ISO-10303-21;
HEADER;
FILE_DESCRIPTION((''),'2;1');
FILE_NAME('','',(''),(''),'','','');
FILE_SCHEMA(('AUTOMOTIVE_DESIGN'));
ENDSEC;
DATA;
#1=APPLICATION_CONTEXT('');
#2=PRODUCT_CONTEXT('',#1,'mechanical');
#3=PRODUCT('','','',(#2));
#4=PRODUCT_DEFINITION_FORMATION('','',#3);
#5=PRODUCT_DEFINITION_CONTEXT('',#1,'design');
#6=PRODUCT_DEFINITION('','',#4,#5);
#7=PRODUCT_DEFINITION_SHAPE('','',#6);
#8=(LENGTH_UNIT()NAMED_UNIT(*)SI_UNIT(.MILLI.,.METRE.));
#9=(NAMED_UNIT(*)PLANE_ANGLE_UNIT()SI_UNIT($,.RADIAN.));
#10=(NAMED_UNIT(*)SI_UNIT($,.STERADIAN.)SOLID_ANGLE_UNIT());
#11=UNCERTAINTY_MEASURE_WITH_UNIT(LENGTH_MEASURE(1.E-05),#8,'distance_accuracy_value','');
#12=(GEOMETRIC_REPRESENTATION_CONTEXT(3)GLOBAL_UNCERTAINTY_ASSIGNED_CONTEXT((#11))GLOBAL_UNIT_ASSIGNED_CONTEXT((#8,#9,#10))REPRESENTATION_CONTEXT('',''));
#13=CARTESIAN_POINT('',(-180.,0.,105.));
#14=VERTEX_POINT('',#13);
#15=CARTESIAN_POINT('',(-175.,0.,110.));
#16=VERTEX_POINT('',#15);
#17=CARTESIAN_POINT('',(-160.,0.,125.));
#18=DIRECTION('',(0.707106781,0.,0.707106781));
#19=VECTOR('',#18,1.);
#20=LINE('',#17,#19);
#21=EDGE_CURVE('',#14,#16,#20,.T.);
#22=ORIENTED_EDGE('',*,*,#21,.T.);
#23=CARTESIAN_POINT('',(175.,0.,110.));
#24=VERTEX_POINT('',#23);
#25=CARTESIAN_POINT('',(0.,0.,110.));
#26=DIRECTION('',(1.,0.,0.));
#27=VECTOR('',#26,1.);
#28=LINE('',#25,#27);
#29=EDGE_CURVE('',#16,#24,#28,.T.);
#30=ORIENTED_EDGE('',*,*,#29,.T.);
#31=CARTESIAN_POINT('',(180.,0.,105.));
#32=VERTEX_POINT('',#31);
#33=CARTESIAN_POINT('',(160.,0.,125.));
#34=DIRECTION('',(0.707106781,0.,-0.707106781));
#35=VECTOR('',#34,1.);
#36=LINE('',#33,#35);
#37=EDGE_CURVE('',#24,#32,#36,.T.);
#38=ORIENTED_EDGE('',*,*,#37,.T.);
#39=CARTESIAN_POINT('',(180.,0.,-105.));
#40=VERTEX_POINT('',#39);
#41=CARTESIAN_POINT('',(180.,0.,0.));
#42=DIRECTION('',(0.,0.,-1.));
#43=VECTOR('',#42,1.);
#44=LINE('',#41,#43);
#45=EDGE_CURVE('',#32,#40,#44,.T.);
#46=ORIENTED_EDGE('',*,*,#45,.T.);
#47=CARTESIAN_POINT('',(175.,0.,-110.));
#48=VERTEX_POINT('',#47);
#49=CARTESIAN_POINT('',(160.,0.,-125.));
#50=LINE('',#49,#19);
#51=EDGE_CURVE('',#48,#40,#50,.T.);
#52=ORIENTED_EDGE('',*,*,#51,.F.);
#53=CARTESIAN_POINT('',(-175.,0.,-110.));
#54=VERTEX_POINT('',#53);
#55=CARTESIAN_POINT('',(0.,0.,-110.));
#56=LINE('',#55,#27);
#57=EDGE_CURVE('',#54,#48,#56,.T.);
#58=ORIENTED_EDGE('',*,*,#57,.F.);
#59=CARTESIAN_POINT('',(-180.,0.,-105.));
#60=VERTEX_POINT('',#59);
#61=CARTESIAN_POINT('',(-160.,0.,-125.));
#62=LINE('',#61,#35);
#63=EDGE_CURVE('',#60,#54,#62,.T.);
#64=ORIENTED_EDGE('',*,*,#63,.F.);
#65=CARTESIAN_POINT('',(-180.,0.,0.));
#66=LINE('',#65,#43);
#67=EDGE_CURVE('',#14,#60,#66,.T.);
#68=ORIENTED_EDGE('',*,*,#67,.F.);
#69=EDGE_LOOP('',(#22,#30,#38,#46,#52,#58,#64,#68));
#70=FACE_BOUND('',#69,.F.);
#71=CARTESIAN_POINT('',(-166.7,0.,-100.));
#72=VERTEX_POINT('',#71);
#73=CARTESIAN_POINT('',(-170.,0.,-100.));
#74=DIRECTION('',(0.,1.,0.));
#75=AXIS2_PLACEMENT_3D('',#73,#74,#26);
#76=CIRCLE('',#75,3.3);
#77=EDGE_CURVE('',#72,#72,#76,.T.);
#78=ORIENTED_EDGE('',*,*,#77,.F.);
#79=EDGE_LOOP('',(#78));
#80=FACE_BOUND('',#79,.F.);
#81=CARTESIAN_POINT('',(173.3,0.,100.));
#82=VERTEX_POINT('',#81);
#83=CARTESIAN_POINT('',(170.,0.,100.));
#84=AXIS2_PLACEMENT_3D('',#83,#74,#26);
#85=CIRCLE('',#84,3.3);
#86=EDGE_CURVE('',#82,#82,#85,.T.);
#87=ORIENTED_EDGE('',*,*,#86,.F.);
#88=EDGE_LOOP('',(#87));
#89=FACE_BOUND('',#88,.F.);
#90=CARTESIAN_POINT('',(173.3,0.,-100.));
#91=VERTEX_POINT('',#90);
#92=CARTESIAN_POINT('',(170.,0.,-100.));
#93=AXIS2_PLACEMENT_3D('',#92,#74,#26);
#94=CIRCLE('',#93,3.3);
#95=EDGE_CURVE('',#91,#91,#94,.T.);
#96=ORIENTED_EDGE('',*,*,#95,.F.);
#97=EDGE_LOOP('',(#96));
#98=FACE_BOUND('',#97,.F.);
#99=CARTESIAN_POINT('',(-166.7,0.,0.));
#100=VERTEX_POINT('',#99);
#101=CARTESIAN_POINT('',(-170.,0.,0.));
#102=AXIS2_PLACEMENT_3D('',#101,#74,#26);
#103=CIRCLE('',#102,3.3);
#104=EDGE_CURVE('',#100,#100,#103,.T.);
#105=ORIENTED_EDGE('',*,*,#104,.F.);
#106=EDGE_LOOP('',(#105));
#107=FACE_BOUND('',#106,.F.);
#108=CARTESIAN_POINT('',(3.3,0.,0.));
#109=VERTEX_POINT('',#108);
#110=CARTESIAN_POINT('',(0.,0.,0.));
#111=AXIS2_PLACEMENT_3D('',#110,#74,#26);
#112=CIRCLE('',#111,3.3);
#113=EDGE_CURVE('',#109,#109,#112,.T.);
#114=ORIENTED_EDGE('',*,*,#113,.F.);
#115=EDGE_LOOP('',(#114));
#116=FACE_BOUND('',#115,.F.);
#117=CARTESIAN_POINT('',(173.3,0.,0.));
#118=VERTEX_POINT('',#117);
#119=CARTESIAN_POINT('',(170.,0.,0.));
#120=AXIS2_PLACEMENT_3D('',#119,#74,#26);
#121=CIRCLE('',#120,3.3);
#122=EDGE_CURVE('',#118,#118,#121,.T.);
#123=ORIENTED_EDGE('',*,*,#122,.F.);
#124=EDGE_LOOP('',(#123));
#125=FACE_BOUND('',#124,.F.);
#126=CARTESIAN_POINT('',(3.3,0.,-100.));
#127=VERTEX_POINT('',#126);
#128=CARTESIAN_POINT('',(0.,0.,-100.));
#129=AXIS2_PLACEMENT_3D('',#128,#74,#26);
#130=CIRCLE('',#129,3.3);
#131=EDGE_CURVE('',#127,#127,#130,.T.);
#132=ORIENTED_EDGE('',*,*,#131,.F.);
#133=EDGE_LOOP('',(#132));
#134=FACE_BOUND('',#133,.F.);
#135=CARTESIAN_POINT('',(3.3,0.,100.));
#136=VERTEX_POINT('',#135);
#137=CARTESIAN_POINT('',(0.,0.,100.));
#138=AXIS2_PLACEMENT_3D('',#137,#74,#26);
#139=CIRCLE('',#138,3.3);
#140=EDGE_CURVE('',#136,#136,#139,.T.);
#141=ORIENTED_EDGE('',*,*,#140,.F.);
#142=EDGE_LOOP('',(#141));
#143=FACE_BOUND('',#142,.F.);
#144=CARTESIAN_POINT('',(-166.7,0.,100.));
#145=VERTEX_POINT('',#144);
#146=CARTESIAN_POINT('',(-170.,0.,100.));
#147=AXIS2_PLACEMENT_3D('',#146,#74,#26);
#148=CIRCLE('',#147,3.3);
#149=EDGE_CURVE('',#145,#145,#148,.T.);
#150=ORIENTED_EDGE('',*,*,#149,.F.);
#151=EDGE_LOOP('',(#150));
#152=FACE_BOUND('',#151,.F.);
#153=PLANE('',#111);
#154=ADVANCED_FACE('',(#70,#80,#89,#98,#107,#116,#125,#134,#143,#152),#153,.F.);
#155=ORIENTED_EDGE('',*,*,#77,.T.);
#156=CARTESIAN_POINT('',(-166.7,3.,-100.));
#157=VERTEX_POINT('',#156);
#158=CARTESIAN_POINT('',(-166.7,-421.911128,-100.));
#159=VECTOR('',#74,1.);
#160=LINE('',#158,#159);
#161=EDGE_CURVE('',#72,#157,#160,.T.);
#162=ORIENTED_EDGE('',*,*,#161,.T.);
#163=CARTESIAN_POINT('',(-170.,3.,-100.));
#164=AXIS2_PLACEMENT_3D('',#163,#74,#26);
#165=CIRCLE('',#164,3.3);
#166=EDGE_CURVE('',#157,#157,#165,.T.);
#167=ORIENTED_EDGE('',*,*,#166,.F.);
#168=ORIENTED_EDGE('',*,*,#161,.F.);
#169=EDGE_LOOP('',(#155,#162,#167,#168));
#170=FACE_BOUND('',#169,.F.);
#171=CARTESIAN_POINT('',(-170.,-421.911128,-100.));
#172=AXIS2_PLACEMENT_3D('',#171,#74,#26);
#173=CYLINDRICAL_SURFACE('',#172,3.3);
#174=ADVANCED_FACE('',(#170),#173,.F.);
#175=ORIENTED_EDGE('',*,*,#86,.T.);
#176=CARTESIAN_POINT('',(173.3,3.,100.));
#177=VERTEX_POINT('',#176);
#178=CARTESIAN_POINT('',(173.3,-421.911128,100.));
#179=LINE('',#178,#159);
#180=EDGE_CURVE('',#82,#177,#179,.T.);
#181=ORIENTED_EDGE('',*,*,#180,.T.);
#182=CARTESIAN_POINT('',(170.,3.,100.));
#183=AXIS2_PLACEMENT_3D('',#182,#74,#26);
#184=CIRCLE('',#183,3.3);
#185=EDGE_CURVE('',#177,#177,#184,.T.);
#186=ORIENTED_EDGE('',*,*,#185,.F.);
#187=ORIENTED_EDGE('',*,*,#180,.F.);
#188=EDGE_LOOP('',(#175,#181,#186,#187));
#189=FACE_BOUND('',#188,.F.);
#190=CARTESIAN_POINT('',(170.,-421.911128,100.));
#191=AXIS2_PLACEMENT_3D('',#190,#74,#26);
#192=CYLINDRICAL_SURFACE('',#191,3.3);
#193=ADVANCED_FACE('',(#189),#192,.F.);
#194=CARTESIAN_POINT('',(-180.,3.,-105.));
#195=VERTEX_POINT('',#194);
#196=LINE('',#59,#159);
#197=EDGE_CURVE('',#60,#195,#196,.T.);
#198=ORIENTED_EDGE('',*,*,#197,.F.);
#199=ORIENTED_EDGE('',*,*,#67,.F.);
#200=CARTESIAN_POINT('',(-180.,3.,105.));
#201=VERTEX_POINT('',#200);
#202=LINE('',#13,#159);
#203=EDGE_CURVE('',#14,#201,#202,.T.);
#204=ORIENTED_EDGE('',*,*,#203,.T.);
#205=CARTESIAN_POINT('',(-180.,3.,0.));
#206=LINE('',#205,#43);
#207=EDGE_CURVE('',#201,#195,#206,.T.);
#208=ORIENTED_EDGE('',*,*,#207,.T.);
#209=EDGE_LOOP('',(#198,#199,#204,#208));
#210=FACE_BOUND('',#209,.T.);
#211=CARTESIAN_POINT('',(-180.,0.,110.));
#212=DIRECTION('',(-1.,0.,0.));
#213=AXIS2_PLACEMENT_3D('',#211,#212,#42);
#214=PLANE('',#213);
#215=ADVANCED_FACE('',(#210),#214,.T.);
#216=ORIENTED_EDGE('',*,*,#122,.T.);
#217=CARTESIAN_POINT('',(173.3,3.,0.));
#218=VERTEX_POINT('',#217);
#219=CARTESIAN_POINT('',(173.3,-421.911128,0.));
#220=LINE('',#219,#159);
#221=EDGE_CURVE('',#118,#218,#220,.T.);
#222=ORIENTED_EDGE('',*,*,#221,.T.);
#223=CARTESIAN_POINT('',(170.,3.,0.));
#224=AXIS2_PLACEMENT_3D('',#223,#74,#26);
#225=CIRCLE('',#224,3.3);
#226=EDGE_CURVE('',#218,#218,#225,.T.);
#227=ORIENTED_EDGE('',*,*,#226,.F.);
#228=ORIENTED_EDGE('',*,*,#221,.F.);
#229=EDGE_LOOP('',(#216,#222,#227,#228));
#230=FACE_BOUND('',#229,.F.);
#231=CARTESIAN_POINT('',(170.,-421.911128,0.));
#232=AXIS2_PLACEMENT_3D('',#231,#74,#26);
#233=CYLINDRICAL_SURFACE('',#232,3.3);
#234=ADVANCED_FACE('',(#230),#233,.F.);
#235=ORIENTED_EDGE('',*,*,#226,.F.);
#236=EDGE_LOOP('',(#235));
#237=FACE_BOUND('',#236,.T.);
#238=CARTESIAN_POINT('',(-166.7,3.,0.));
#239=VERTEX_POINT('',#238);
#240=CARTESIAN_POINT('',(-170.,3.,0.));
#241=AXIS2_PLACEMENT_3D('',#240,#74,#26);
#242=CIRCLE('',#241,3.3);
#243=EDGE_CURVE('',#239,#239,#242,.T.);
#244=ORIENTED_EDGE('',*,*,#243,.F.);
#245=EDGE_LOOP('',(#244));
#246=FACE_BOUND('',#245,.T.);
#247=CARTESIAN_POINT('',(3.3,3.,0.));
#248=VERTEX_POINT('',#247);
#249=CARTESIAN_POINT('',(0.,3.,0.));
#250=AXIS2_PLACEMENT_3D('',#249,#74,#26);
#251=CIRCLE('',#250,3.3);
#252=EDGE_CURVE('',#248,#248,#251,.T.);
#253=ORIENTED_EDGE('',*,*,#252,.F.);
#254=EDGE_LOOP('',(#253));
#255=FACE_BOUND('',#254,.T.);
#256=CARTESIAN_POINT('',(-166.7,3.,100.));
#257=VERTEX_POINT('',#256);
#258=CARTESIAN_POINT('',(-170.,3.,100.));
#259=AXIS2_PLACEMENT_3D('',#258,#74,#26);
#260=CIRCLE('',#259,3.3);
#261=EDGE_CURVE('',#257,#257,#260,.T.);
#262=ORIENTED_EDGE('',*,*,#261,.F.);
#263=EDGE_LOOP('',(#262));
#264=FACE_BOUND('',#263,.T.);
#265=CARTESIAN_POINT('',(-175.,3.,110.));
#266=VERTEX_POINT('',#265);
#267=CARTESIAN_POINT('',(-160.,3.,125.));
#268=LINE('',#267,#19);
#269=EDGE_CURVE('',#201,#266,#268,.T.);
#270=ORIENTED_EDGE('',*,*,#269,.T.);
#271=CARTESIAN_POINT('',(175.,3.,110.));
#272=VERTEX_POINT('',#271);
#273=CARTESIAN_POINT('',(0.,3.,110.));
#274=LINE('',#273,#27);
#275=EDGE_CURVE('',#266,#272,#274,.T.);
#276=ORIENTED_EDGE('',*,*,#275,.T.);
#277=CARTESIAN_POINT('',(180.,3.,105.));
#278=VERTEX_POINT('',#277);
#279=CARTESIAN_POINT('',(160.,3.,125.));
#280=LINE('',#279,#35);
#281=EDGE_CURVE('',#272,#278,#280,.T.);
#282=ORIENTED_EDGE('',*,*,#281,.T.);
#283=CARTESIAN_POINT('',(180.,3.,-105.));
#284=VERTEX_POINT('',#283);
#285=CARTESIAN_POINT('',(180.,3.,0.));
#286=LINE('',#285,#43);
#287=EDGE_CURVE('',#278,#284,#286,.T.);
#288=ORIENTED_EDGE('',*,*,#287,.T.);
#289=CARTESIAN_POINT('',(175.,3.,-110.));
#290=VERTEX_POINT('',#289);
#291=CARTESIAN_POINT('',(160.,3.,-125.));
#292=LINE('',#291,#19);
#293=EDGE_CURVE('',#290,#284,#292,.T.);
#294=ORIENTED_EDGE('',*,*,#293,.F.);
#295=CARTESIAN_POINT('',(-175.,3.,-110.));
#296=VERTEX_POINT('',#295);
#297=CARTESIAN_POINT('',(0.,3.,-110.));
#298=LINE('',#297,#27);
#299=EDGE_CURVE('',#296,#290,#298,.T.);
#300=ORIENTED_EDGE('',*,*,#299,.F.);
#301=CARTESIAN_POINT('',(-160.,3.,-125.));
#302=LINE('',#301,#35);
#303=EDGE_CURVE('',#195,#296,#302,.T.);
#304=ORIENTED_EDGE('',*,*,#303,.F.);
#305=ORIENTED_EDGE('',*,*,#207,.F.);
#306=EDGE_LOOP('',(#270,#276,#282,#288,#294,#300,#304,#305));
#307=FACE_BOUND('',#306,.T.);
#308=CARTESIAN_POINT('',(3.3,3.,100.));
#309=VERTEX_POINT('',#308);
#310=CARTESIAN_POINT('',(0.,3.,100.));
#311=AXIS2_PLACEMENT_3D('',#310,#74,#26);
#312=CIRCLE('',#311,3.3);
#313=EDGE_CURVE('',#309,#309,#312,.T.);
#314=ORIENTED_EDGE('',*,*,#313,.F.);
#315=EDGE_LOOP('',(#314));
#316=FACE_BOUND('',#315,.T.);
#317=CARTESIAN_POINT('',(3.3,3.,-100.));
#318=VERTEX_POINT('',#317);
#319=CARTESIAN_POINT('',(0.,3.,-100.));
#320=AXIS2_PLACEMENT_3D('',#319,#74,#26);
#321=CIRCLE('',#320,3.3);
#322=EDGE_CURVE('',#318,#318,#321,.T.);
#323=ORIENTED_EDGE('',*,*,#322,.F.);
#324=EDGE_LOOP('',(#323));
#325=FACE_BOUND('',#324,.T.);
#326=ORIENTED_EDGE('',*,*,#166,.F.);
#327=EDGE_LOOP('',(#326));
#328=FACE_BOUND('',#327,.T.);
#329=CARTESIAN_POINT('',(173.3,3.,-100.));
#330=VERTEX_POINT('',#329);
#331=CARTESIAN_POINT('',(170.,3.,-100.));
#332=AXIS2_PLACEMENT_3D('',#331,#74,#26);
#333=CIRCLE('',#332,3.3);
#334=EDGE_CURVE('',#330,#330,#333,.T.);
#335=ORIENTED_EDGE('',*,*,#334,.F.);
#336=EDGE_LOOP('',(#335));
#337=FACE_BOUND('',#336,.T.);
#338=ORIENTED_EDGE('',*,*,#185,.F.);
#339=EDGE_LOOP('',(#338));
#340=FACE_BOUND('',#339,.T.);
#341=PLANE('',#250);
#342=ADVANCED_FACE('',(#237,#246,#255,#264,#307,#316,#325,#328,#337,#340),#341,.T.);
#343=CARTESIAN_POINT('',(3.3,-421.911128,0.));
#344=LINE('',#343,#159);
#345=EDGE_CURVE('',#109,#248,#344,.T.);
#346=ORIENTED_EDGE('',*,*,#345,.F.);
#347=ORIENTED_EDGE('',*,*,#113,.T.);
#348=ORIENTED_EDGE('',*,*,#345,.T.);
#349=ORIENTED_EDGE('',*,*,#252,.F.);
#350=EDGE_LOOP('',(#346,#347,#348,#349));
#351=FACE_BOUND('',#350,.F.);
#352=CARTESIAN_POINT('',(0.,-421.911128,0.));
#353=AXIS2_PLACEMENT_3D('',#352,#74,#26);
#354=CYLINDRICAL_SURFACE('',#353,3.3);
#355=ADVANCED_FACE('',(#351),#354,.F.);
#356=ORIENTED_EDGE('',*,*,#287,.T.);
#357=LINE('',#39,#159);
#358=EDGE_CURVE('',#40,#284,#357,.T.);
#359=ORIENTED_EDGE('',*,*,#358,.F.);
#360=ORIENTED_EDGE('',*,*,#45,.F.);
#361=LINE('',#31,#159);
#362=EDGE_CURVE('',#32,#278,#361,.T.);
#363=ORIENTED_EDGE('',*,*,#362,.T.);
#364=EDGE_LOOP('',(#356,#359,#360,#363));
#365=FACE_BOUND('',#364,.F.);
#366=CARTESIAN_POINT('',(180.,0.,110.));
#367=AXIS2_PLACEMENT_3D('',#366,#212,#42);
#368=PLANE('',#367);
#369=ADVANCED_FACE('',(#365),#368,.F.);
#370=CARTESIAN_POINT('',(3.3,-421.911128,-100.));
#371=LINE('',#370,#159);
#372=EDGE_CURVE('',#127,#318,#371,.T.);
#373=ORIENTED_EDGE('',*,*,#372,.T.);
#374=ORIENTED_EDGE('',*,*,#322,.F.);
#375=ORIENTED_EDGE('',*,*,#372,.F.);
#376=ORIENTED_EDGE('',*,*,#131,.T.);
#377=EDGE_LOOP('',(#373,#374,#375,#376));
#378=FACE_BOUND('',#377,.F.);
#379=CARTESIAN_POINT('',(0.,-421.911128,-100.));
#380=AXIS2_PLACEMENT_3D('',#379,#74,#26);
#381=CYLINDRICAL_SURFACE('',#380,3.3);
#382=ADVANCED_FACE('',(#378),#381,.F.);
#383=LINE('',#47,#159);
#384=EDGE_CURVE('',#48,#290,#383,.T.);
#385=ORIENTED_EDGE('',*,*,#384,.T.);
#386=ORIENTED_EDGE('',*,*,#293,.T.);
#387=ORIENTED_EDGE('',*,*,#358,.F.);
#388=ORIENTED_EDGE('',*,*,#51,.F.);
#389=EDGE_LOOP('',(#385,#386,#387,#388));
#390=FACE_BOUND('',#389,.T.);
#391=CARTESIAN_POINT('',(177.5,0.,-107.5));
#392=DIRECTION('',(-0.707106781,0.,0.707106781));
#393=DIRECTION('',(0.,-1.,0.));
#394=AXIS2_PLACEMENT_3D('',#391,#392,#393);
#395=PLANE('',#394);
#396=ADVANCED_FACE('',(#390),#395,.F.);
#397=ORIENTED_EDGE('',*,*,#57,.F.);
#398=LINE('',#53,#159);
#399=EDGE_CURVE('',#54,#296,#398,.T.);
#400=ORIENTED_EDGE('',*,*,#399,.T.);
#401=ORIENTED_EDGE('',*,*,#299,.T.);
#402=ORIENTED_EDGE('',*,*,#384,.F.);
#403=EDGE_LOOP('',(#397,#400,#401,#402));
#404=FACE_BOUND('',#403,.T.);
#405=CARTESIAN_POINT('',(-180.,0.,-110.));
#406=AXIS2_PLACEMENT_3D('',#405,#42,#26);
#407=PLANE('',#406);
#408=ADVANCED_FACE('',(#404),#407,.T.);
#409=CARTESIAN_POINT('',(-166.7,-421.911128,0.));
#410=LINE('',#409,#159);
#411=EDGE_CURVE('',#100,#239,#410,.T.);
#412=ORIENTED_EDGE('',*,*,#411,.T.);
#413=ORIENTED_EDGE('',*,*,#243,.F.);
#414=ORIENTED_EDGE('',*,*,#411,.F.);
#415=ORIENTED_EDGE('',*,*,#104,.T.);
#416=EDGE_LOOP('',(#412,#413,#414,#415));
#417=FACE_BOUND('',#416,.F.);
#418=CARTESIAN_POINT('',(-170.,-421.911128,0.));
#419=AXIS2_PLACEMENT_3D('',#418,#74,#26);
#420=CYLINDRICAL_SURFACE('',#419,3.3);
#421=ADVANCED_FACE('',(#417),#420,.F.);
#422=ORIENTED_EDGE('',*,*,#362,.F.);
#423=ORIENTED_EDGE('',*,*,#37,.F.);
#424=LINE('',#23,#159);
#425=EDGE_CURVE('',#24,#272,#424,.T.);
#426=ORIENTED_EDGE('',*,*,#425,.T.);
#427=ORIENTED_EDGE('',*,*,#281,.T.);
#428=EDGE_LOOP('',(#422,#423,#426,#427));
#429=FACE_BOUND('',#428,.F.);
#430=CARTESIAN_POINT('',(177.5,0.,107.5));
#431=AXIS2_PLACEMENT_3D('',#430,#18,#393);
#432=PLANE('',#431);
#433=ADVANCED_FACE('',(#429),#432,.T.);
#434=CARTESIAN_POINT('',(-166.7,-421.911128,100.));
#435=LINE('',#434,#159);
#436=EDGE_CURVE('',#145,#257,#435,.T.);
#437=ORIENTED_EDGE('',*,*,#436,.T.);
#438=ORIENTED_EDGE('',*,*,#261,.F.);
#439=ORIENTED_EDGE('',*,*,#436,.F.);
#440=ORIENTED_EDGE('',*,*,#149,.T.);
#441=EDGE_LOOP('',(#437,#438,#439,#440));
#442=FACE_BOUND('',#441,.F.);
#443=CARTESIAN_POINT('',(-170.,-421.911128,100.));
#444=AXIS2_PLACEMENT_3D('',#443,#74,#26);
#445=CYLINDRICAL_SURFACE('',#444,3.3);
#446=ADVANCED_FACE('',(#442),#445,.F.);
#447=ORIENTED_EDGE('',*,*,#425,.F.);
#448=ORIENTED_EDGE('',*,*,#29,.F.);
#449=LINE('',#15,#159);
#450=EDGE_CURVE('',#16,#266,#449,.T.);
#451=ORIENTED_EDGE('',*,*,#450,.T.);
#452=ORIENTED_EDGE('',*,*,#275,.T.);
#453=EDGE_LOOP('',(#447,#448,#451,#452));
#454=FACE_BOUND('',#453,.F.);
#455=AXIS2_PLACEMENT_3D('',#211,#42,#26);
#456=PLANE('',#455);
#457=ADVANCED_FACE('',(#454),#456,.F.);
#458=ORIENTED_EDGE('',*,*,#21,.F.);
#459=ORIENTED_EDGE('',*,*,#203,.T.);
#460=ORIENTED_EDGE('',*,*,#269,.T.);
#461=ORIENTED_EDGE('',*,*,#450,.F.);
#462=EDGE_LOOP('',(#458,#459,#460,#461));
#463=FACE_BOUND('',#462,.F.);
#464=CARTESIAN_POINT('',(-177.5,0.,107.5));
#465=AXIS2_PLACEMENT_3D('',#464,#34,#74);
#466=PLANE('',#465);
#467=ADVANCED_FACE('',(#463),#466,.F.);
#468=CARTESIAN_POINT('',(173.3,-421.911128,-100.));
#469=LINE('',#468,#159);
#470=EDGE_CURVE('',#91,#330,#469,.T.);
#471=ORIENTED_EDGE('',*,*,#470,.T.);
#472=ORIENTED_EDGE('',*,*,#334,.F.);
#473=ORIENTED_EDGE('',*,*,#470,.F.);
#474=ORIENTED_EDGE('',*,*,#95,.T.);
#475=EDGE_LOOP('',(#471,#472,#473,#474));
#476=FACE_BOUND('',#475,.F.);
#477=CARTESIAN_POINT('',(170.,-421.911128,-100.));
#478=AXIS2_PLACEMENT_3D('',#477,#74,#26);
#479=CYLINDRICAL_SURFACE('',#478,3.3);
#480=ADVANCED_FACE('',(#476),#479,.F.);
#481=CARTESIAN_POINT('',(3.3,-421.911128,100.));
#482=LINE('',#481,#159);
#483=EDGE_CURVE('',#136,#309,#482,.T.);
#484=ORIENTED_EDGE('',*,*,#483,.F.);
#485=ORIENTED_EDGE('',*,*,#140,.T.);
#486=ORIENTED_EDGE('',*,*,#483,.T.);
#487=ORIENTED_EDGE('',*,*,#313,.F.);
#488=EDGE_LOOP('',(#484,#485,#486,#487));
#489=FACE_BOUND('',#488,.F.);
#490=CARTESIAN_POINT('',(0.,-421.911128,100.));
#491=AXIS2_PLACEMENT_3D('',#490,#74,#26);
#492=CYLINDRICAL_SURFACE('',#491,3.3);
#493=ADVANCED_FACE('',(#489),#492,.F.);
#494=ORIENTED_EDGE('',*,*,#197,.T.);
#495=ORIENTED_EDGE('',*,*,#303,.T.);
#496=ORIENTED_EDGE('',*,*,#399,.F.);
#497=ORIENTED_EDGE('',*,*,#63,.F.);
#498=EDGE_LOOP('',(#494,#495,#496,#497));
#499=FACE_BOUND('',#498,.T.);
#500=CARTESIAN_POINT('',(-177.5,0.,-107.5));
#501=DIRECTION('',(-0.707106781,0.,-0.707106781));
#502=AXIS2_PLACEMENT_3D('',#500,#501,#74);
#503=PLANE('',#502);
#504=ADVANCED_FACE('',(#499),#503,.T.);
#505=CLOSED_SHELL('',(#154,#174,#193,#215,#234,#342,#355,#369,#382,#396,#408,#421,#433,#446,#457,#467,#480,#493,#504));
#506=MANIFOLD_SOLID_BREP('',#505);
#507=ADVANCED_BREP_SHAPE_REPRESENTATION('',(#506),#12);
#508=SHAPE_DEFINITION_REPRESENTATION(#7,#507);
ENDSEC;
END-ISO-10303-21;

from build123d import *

# Parameters (mm, degrees)
ESQUISSE1_W          = 360
ESQUISSE1_H          = 220
BOSS_EXTRU_1_DEPTH   = 3
M6_CLEARANCE_HOLE1_D = 6.6
CHAMFER1_SIZE        = 5


with BuildPart() as part:
    # Esquisse1 → Boss.-Extru.1 (new body)
    with BuildSketch(Plane(origin=(0, 0, 0), x_dir=(1, 0, 0), z_dir=(0, 1, 0))):
        Rectangle(ESQUISSE1_W, ESQUISSE1_H)
    extrude(amount=BOSS_EXTRU_1_DEPTH)

    # M6 Clearance Hole1 (through all)
    with Locations(Plane(origin=(0, 0, 0), x_dir=(-1, 0, 0), z_dir=(0, -1, 0))):
        with Locations((-170, 100), (0, 100), (170, 100), (0, 0), (170, 0), (0, -100), (170, -100), (-170, 0), (-170, -100)):
            Hole(M6_CLEARANCE_HOLE1_D / 2)

    # Chamfer1
    chamfer1_edges = [part.edges().sort_by_distance(p)[0] for p in [
        (180, 1.5, 110),
        (-180, 1.5, 110),
        (-180, 1.5, -110),
        (180, 1.5, -110),
    ]]
    chamfer(chamfer1_edges, length=CHAMFER1_SIZE)


solid = part.part
